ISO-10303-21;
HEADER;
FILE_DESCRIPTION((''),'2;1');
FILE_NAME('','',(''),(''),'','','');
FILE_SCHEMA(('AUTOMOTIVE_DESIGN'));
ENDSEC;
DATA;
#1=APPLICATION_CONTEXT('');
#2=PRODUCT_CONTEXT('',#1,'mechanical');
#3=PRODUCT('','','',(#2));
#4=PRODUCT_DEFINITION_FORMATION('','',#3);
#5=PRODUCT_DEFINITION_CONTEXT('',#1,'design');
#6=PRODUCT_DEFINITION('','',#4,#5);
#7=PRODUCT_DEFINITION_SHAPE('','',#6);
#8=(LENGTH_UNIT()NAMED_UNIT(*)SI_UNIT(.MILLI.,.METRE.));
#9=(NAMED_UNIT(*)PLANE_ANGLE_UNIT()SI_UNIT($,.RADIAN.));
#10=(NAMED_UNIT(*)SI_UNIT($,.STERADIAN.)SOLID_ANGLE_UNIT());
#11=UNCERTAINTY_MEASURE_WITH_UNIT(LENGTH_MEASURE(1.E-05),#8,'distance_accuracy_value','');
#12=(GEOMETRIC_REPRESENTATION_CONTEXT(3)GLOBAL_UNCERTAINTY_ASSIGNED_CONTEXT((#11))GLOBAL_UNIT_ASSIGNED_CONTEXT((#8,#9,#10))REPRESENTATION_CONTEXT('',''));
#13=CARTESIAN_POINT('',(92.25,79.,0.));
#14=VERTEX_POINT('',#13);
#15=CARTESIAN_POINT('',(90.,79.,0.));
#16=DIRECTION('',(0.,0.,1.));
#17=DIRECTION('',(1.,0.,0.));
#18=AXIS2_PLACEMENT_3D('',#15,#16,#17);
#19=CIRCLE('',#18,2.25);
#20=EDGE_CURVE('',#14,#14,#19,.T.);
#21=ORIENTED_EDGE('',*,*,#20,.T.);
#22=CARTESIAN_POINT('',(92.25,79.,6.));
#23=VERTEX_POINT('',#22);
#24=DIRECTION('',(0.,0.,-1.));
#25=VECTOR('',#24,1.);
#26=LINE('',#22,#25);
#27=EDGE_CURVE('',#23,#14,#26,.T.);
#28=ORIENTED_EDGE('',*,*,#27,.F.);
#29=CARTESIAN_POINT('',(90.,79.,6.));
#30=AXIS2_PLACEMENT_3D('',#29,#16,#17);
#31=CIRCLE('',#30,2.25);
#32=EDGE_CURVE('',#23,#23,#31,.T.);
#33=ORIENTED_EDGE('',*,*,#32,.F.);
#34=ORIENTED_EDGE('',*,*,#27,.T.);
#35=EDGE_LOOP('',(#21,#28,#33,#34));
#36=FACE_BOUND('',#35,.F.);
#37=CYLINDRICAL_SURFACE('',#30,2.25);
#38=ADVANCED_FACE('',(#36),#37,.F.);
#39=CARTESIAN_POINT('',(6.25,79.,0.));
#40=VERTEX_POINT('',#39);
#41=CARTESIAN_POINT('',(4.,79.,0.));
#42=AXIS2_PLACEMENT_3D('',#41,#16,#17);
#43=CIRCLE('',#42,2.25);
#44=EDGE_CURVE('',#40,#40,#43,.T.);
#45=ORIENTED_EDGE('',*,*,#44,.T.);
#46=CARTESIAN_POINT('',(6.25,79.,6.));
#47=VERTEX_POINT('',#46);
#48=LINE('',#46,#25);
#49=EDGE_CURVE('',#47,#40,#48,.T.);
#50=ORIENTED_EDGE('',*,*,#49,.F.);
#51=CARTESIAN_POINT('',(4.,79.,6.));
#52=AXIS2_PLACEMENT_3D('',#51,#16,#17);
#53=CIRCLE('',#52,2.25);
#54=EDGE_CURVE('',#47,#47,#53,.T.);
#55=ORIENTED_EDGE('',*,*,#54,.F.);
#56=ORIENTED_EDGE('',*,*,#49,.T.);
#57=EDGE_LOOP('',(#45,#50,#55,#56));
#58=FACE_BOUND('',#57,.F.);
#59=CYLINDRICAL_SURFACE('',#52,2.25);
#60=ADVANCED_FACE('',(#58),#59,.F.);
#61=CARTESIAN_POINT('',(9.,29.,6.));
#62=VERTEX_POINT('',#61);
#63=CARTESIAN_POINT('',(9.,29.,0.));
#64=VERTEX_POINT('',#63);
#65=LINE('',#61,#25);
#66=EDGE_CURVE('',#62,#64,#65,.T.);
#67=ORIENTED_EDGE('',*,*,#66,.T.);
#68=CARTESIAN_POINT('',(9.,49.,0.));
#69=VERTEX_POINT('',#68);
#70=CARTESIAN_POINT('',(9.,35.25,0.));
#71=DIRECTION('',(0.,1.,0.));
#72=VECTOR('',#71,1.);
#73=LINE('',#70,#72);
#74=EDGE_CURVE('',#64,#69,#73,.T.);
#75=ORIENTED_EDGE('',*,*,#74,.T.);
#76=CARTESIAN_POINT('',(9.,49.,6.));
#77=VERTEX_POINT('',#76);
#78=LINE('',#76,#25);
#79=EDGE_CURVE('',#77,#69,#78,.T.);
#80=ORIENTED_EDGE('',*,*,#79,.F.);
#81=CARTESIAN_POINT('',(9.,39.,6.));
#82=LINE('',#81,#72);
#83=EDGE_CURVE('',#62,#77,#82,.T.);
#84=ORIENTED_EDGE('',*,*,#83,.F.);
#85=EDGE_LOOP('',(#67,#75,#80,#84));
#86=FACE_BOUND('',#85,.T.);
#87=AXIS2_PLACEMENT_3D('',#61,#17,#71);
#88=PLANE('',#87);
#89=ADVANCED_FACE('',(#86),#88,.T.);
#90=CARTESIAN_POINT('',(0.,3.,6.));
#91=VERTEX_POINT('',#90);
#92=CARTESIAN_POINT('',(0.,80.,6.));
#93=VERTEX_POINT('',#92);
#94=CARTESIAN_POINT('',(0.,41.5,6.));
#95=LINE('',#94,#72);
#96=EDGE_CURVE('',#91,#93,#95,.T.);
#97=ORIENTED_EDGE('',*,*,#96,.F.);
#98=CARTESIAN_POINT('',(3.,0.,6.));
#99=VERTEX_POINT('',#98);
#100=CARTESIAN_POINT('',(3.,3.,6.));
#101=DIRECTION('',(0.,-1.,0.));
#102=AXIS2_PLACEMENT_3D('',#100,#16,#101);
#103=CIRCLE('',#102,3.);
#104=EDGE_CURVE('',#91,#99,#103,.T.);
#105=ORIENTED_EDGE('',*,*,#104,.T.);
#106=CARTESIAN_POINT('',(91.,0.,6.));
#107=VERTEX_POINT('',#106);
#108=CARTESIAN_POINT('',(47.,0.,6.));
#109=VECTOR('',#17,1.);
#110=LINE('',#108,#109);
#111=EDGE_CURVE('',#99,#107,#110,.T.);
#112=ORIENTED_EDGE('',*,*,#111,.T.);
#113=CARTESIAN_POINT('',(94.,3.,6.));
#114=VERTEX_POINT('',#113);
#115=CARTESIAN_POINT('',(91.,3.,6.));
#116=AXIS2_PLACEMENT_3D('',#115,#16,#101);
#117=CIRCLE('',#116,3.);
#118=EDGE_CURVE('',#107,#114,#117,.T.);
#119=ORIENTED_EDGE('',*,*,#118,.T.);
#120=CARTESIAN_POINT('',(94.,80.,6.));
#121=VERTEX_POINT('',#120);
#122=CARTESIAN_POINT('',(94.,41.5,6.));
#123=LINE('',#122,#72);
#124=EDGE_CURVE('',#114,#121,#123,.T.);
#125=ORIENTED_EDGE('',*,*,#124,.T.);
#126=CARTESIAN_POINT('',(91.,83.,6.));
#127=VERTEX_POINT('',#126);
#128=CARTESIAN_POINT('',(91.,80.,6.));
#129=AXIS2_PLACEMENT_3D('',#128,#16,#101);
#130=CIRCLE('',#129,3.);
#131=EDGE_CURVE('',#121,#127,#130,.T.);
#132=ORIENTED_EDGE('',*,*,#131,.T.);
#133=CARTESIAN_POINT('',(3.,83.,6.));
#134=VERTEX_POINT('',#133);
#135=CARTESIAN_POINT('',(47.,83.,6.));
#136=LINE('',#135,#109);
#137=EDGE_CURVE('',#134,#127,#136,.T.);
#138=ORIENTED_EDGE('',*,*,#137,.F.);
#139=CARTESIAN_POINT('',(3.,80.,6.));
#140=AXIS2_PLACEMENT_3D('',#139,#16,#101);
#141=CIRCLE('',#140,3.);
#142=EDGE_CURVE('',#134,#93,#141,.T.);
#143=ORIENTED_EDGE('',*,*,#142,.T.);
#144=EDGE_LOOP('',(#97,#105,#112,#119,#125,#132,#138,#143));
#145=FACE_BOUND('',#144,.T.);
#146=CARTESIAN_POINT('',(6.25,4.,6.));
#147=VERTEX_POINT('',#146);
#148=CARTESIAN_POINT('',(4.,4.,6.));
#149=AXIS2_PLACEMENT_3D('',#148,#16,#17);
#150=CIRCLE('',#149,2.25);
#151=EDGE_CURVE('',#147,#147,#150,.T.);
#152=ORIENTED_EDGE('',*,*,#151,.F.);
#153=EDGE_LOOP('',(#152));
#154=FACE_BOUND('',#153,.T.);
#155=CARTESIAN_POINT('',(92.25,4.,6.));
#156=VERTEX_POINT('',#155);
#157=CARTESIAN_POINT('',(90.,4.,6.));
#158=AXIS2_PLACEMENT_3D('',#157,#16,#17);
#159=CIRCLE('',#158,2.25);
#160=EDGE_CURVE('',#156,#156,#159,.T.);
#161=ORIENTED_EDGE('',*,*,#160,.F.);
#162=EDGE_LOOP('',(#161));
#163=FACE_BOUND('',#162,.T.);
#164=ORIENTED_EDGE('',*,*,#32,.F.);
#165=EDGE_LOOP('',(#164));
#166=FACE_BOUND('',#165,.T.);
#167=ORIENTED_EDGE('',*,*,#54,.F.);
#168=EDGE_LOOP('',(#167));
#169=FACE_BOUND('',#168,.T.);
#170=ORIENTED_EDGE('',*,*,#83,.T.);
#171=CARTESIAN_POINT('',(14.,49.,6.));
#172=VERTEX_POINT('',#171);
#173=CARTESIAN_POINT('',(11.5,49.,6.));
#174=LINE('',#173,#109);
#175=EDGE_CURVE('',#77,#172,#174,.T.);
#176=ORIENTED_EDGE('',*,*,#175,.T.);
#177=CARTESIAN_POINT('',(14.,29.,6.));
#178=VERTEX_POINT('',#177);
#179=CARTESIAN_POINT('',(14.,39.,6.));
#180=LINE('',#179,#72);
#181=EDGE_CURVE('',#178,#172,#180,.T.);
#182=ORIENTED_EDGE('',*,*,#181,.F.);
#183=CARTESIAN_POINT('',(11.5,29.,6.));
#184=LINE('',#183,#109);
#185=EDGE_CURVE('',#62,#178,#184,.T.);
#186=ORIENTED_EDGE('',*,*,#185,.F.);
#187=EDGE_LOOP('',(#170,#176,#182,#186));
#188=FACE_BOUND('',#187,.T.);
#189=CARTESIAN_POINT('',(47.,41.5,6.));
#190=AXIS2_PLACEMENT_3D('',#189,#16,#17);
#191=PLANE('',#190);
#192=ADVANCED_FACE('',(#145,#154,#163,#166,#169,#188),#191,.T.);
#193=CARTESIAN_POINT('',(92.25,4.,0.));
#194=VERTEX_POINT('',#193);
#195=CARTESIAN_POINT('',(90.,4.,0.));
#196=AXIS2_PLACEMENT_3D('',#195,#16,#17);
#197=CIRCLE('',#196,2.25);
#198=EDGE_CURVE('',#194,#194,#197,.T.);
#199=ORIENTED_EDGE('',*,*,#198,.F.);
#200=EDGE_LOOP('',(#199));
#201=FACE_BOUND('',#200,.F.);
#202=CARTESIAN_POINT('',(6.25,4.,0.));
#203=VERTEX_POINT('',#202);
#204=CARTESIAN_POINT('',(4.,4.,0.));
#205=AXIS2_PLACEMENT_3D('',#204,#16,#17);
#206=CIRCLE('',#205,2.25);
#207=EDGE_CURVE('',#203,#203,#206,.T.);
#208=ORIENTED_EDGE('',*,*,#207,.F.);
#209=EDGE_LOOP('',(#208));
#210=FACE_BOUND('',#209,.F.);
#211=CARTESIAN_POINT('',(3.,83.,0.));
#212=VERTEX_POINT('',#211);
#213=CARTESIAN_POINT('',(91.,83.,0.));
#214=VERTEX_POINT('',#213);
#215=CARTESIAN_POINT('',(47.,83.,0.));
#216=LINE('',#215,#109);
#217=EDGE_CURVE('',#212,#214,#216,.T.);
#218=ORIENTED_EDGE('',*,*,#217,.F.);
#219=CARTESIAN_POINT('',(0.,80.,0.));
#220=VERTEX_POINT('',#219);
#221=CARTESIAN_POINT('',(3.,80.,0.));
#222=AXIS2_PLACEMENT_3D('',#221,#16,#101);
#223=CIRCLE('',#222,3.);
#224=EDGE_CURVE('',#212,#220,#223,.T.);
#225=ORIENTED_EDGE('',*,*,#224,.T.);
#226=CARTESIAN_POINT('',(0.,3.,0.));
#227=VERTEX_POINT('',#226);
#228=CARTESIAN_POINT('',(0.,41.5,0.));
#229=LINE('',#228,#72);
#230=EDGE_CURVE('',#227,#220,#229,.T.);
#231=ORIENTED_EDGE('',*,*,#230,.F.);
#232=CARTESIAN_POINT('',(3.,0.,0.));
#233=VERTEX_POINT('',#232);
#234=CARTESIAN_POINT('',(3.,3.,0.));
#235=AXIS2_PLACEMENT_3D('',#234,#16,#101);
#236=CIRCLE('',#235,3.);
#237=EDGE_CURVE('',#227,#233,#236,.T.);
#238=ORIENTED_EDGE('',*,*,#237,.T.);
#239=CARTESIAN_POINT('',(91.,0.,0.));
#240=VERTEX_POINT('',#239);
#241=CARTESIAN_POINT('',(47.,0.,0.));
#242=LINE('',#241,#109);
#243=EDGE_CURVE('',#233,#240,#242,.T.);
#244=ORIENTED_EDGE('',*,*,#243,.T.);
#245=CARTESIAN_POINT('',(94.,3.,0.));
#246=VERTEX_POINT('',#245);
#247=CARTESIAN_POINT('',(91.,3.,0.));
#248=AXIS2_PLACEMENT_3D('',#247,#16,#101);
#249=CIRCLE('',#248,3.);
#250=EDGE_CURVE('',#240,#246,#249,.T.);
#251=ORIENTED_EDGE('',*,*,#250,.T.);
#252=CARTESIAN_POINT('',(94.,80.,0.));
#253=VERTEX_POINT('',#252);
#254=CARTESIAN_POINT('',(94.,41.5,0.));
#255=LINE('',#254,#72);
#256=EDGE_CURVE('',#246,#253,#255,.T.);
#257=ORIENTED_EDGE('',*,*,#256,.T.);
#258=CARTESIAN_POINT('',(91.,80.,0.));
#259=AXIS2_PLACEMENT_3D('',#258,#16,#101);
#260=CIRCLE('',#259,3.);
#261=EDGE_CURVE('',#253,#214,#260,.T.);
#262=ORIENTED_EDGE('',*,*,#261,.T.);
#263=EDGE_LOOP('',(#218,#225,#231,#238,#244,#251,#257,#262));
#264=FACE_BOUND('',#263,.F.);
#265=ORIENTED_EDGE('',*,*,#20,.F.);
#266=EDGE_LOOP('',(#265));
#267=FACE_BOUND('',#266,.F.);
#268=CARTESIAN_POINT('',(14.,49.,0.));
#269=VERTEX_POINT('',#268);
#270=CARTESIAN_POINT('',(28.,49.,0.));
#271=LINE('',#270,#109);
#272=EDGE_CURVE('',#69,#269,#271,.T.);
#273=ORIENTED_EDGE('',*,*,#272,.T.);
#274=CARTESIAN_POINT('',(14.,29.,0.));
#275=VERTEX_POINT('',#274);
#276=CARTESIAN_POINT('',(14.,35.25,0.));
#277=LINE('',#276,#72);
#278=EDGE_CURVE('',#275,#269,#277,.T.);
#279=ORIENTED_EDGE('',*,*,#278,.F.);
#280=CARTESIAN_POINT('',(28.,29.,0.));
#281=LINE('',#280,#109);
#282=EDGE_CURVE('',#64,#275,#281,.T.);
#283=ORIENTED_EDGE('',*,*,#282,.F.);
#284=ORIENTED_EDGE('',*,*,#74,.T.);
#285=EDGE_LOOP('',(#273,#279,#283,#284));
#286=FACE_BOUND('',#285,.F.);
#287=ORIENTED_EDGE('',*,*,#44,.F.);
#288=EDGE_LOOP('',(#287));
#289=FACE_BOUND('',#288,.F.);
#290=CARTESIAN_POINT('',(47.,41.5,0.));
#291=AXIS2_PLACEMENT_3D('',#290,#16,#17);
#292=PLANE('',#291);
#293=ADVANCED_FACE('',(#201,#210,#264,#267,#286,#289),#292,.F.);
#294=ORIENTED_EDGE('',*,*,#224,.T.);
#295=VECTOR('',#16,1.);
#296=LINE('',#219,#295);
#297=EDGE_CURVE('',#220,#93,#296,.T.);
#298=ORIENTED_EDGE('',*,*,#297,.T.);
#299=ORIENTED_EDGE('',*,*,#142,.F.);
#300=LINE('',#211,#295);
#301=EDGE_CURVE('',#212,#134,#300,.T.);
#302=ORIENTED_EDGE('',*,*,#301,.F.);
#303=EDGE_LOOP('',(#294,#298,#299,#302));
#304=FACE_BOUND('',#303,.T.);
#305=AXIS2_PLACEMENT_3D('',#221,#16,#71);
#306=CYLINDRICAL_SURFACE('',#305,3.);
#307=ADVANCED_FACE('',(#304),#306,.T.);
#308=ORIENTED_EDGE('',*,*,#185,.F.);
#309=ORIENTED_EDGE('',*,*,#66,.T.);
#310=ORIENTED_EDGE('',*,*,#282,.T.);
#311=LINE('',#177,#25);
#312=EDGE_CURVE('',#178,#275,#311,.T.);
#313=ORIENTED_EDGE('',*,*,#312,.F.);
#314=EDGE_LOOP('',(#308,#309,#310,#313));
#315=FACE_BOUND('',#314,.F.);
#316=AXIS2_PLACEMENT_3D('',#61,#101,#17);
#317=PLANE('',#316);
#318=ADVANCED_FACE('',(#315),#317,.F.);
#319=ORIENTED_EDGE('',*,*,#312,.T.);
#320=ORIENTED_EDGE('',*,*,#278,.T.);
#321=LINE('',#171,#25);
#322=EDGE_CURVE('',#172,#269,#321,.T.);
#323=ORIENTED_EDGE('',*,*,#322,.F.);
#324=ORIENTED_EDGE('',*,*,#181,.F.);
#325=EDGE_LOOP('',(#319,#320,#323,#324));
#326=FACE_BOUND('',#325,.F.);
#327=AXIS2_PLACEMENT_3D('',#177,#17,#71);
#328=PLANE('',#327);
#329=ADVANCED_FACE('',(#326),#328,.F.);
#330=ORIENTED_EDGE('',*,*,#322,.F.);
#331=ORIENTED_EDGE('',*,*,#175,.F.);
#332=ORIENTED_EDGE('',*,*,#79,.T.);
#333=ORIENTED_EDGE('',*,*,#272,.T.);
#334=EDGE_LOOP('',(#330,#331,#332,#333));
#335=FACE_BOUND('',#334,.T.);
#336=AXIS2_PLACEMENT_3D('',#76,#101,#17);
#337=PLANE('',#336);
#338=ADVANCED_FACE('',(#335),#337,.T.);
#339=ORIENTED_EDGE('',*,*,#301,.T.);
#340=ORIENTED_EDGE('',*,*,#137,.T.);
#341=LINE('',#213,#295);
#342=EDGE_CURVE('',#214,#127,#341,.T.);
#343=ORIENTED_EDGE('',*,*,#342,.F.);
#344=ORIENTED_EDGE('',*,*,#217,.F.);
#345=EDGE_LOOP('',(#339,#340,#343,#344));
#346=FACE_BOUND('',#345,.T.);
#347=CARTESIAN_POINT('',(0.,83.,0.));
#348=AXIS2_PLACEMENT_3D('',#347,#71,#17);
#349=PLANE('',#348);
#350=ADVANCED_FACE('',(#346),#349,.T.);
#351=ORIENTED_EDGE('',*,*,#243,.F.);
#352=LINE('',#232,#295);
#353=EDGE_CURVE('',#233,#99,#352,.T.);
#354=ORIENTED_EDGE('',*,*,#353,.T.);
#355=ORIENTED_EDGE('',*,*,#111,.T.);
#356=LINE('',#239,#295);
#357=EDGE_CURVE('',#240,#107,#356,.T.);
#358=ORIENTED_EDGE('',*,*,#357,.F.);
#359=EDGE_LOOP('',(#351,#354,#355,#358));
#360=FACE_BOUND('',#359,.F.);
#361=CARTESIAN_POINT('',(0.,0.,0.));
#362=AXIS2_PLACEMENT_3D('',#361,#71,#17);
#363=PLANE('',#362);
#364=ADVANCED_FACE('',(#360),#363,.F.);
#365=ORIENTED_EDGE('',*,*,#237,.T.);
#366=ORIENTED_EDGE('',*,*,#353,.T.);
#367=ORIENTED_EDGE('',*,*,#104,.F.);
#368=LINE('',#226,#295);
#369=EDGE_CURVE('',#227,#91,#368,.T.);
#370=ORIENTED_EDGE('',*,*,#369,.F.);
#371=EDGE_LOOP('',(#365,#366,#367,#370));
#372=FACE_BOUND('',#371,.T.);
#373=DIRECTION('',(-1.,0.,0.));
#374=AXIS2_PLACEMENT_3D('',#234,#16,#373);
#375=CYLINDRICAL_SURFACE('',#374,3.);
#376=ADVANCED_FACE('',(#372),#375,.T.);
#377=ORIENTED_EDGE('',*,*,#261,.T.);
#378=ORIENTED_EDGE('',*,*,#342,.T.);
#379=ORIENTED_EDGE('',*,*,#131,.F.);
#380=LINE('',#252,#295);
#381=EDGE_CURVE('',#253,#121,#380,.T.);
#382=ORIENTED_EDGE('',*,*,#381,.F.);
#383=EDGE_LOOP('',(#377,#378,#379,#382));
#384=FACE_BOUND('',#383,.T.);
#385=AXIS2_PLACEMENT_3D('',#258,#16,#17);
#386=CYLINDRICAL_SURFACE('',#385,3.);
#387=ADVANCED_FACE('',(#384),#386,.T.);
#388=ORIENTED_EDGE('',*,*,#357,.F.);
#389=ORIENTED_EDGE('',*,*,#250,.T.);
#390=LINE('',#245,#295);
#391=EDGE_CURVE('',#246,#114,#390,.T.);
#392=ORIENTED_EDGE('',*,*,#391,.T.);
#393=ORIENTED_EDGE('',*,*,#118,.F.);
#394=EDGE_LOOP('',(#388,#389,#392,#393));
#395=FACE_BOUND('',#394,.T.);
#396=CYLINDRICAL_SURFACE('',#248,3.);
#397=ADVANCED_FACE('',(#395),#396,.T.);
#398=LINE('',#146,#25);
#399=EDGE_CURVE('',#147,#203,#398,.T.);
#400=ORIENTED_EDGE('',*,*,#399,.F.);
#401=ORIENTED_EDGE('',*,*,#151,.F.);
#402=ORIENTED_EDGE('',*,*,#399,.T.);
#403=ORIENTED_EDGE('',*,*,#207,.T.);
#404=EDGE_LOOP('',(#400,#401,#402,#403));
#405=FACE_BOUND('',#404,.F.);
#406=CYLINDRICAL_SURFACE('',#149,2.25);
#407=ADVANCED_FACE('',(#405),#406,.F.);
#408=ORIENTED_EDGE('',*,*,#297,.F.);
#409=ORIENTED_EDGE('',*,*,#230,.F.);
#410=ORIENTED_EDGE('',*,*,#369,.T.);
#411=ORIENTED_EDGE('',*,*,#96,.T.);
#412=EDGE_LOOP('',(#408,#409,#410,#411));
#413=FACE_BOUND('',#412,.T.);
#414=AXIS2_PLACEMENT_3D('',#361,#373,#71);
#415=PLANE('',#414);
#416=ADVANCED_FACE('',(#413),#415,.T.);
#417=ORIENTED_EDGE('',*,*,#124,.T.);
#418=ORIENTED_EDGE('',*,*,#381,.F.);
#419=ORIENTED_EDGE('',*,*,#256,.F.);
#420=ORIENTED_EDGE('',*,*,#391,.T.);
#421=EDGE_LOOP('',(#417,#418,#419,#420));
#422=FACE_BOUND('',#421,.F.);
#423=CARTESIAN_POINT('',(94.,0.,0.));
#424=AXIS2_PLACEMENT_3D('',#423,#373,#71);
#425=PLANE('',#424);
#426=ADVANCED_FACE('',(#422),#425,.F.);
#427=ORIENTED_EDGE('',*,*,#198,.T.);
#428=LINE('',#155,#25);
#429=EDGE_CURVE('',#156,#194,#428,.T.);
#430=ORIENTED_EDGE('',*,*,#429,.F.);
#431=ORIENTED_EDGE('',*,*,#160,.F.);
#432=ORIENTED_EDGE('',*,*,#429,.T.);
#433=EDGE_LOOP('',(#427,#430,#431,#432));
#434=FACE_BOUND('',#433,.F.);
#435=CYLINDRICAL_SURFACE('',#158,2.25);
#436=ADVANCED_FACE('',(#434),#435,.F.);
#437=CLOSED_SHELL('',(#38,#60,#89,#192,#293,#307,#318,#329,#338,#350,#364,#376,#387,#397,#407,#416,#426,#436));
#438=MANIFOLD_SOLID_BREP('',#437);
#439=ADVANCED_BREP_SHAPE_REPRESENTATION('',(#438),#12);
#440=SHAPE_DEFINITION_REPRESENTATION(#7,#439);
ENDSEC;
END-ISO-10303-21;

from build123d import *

# Parameters (mm, degrees)
SKETCH_W        = 94
SKETCH_H        = 83
PAD_DEPTH       = 6
SKETCH001_R     = 2.25
POCKET_DEPTH    = 6.001
FILLET_R        = 3
FILLET001_R     = 3
FILLET002_R     = 3
FILLET003_R     = 3
SKETCH002_W     = 5
SKETCH002_H     = 20
POCKET001_DEPTH = 6.001


with BuildPart() as part:
    # Sketch → Pad (new body)
    with BuildSketch(Plane.XY):
        with Locations((47, 41.5)):
            Rectangle(SKETCH_W, SKETCH_H)
    extrude(amount=PAD_DEPTH)

    # Sketch001 (on Face6 of Pad) → Pocket (cut, through all)
    with BuildSketch(Plane.XY.offset(6)):
        with Locations((4, 79)):
            Circle(SKETCH001_R)
        with Locations((90, 79)):
            Circle(SKETCH001_R)
        with Locations((90, 4)):
            Circle(SKETCH001_R)
        with Locations((4, 4)):
            Circle(SKETCH001_R)
    extrude(amount=-POCKET_DEPTH, mode=Mode.SUBTRACT)

    # Fillet
    fillet_edges = [part.edges().sort_by_distance(p)[0] for p in [
        (94, 0, 3),
    ]]
    fillet(fillet_edges, radius=FILLET_R)

    # Fillet001
    fillet001_edges = [part.edges().sort_by_distance(p)[0] for p in [
        (94, 83, 3),
    ]]
    fillet(fillet001_edges, radius=FILLET001_R)

    # Fillet002
    fillet002_edges = [part.edges().sort_by_distance(p)[0] for p in [
        (0, 83, 3),
    ]]
    fillet(fillet002_edges, radius=FILLET002_R)

    # Fillet003
    fillet003_edges = [part.edges().sort_by_distance(p)[0] for p in [
        (0, 0, 3),
    ]]
    fillet(fillet003_edges, radius=FILLET003_R)

    # Sketch002 (on Face14 of Fillet003) → Pocket001 (cut, through all)
    with BuildSketch(Plane.XY.offset(6)):
        with Locations((11.5, 39)):
            Rectangle(SKETCH002_W, SKETCH002_H)
    extrude(amount=-POCKET001_DEPTH, mode=Mode.SUBTRACT)


solid = part.part
